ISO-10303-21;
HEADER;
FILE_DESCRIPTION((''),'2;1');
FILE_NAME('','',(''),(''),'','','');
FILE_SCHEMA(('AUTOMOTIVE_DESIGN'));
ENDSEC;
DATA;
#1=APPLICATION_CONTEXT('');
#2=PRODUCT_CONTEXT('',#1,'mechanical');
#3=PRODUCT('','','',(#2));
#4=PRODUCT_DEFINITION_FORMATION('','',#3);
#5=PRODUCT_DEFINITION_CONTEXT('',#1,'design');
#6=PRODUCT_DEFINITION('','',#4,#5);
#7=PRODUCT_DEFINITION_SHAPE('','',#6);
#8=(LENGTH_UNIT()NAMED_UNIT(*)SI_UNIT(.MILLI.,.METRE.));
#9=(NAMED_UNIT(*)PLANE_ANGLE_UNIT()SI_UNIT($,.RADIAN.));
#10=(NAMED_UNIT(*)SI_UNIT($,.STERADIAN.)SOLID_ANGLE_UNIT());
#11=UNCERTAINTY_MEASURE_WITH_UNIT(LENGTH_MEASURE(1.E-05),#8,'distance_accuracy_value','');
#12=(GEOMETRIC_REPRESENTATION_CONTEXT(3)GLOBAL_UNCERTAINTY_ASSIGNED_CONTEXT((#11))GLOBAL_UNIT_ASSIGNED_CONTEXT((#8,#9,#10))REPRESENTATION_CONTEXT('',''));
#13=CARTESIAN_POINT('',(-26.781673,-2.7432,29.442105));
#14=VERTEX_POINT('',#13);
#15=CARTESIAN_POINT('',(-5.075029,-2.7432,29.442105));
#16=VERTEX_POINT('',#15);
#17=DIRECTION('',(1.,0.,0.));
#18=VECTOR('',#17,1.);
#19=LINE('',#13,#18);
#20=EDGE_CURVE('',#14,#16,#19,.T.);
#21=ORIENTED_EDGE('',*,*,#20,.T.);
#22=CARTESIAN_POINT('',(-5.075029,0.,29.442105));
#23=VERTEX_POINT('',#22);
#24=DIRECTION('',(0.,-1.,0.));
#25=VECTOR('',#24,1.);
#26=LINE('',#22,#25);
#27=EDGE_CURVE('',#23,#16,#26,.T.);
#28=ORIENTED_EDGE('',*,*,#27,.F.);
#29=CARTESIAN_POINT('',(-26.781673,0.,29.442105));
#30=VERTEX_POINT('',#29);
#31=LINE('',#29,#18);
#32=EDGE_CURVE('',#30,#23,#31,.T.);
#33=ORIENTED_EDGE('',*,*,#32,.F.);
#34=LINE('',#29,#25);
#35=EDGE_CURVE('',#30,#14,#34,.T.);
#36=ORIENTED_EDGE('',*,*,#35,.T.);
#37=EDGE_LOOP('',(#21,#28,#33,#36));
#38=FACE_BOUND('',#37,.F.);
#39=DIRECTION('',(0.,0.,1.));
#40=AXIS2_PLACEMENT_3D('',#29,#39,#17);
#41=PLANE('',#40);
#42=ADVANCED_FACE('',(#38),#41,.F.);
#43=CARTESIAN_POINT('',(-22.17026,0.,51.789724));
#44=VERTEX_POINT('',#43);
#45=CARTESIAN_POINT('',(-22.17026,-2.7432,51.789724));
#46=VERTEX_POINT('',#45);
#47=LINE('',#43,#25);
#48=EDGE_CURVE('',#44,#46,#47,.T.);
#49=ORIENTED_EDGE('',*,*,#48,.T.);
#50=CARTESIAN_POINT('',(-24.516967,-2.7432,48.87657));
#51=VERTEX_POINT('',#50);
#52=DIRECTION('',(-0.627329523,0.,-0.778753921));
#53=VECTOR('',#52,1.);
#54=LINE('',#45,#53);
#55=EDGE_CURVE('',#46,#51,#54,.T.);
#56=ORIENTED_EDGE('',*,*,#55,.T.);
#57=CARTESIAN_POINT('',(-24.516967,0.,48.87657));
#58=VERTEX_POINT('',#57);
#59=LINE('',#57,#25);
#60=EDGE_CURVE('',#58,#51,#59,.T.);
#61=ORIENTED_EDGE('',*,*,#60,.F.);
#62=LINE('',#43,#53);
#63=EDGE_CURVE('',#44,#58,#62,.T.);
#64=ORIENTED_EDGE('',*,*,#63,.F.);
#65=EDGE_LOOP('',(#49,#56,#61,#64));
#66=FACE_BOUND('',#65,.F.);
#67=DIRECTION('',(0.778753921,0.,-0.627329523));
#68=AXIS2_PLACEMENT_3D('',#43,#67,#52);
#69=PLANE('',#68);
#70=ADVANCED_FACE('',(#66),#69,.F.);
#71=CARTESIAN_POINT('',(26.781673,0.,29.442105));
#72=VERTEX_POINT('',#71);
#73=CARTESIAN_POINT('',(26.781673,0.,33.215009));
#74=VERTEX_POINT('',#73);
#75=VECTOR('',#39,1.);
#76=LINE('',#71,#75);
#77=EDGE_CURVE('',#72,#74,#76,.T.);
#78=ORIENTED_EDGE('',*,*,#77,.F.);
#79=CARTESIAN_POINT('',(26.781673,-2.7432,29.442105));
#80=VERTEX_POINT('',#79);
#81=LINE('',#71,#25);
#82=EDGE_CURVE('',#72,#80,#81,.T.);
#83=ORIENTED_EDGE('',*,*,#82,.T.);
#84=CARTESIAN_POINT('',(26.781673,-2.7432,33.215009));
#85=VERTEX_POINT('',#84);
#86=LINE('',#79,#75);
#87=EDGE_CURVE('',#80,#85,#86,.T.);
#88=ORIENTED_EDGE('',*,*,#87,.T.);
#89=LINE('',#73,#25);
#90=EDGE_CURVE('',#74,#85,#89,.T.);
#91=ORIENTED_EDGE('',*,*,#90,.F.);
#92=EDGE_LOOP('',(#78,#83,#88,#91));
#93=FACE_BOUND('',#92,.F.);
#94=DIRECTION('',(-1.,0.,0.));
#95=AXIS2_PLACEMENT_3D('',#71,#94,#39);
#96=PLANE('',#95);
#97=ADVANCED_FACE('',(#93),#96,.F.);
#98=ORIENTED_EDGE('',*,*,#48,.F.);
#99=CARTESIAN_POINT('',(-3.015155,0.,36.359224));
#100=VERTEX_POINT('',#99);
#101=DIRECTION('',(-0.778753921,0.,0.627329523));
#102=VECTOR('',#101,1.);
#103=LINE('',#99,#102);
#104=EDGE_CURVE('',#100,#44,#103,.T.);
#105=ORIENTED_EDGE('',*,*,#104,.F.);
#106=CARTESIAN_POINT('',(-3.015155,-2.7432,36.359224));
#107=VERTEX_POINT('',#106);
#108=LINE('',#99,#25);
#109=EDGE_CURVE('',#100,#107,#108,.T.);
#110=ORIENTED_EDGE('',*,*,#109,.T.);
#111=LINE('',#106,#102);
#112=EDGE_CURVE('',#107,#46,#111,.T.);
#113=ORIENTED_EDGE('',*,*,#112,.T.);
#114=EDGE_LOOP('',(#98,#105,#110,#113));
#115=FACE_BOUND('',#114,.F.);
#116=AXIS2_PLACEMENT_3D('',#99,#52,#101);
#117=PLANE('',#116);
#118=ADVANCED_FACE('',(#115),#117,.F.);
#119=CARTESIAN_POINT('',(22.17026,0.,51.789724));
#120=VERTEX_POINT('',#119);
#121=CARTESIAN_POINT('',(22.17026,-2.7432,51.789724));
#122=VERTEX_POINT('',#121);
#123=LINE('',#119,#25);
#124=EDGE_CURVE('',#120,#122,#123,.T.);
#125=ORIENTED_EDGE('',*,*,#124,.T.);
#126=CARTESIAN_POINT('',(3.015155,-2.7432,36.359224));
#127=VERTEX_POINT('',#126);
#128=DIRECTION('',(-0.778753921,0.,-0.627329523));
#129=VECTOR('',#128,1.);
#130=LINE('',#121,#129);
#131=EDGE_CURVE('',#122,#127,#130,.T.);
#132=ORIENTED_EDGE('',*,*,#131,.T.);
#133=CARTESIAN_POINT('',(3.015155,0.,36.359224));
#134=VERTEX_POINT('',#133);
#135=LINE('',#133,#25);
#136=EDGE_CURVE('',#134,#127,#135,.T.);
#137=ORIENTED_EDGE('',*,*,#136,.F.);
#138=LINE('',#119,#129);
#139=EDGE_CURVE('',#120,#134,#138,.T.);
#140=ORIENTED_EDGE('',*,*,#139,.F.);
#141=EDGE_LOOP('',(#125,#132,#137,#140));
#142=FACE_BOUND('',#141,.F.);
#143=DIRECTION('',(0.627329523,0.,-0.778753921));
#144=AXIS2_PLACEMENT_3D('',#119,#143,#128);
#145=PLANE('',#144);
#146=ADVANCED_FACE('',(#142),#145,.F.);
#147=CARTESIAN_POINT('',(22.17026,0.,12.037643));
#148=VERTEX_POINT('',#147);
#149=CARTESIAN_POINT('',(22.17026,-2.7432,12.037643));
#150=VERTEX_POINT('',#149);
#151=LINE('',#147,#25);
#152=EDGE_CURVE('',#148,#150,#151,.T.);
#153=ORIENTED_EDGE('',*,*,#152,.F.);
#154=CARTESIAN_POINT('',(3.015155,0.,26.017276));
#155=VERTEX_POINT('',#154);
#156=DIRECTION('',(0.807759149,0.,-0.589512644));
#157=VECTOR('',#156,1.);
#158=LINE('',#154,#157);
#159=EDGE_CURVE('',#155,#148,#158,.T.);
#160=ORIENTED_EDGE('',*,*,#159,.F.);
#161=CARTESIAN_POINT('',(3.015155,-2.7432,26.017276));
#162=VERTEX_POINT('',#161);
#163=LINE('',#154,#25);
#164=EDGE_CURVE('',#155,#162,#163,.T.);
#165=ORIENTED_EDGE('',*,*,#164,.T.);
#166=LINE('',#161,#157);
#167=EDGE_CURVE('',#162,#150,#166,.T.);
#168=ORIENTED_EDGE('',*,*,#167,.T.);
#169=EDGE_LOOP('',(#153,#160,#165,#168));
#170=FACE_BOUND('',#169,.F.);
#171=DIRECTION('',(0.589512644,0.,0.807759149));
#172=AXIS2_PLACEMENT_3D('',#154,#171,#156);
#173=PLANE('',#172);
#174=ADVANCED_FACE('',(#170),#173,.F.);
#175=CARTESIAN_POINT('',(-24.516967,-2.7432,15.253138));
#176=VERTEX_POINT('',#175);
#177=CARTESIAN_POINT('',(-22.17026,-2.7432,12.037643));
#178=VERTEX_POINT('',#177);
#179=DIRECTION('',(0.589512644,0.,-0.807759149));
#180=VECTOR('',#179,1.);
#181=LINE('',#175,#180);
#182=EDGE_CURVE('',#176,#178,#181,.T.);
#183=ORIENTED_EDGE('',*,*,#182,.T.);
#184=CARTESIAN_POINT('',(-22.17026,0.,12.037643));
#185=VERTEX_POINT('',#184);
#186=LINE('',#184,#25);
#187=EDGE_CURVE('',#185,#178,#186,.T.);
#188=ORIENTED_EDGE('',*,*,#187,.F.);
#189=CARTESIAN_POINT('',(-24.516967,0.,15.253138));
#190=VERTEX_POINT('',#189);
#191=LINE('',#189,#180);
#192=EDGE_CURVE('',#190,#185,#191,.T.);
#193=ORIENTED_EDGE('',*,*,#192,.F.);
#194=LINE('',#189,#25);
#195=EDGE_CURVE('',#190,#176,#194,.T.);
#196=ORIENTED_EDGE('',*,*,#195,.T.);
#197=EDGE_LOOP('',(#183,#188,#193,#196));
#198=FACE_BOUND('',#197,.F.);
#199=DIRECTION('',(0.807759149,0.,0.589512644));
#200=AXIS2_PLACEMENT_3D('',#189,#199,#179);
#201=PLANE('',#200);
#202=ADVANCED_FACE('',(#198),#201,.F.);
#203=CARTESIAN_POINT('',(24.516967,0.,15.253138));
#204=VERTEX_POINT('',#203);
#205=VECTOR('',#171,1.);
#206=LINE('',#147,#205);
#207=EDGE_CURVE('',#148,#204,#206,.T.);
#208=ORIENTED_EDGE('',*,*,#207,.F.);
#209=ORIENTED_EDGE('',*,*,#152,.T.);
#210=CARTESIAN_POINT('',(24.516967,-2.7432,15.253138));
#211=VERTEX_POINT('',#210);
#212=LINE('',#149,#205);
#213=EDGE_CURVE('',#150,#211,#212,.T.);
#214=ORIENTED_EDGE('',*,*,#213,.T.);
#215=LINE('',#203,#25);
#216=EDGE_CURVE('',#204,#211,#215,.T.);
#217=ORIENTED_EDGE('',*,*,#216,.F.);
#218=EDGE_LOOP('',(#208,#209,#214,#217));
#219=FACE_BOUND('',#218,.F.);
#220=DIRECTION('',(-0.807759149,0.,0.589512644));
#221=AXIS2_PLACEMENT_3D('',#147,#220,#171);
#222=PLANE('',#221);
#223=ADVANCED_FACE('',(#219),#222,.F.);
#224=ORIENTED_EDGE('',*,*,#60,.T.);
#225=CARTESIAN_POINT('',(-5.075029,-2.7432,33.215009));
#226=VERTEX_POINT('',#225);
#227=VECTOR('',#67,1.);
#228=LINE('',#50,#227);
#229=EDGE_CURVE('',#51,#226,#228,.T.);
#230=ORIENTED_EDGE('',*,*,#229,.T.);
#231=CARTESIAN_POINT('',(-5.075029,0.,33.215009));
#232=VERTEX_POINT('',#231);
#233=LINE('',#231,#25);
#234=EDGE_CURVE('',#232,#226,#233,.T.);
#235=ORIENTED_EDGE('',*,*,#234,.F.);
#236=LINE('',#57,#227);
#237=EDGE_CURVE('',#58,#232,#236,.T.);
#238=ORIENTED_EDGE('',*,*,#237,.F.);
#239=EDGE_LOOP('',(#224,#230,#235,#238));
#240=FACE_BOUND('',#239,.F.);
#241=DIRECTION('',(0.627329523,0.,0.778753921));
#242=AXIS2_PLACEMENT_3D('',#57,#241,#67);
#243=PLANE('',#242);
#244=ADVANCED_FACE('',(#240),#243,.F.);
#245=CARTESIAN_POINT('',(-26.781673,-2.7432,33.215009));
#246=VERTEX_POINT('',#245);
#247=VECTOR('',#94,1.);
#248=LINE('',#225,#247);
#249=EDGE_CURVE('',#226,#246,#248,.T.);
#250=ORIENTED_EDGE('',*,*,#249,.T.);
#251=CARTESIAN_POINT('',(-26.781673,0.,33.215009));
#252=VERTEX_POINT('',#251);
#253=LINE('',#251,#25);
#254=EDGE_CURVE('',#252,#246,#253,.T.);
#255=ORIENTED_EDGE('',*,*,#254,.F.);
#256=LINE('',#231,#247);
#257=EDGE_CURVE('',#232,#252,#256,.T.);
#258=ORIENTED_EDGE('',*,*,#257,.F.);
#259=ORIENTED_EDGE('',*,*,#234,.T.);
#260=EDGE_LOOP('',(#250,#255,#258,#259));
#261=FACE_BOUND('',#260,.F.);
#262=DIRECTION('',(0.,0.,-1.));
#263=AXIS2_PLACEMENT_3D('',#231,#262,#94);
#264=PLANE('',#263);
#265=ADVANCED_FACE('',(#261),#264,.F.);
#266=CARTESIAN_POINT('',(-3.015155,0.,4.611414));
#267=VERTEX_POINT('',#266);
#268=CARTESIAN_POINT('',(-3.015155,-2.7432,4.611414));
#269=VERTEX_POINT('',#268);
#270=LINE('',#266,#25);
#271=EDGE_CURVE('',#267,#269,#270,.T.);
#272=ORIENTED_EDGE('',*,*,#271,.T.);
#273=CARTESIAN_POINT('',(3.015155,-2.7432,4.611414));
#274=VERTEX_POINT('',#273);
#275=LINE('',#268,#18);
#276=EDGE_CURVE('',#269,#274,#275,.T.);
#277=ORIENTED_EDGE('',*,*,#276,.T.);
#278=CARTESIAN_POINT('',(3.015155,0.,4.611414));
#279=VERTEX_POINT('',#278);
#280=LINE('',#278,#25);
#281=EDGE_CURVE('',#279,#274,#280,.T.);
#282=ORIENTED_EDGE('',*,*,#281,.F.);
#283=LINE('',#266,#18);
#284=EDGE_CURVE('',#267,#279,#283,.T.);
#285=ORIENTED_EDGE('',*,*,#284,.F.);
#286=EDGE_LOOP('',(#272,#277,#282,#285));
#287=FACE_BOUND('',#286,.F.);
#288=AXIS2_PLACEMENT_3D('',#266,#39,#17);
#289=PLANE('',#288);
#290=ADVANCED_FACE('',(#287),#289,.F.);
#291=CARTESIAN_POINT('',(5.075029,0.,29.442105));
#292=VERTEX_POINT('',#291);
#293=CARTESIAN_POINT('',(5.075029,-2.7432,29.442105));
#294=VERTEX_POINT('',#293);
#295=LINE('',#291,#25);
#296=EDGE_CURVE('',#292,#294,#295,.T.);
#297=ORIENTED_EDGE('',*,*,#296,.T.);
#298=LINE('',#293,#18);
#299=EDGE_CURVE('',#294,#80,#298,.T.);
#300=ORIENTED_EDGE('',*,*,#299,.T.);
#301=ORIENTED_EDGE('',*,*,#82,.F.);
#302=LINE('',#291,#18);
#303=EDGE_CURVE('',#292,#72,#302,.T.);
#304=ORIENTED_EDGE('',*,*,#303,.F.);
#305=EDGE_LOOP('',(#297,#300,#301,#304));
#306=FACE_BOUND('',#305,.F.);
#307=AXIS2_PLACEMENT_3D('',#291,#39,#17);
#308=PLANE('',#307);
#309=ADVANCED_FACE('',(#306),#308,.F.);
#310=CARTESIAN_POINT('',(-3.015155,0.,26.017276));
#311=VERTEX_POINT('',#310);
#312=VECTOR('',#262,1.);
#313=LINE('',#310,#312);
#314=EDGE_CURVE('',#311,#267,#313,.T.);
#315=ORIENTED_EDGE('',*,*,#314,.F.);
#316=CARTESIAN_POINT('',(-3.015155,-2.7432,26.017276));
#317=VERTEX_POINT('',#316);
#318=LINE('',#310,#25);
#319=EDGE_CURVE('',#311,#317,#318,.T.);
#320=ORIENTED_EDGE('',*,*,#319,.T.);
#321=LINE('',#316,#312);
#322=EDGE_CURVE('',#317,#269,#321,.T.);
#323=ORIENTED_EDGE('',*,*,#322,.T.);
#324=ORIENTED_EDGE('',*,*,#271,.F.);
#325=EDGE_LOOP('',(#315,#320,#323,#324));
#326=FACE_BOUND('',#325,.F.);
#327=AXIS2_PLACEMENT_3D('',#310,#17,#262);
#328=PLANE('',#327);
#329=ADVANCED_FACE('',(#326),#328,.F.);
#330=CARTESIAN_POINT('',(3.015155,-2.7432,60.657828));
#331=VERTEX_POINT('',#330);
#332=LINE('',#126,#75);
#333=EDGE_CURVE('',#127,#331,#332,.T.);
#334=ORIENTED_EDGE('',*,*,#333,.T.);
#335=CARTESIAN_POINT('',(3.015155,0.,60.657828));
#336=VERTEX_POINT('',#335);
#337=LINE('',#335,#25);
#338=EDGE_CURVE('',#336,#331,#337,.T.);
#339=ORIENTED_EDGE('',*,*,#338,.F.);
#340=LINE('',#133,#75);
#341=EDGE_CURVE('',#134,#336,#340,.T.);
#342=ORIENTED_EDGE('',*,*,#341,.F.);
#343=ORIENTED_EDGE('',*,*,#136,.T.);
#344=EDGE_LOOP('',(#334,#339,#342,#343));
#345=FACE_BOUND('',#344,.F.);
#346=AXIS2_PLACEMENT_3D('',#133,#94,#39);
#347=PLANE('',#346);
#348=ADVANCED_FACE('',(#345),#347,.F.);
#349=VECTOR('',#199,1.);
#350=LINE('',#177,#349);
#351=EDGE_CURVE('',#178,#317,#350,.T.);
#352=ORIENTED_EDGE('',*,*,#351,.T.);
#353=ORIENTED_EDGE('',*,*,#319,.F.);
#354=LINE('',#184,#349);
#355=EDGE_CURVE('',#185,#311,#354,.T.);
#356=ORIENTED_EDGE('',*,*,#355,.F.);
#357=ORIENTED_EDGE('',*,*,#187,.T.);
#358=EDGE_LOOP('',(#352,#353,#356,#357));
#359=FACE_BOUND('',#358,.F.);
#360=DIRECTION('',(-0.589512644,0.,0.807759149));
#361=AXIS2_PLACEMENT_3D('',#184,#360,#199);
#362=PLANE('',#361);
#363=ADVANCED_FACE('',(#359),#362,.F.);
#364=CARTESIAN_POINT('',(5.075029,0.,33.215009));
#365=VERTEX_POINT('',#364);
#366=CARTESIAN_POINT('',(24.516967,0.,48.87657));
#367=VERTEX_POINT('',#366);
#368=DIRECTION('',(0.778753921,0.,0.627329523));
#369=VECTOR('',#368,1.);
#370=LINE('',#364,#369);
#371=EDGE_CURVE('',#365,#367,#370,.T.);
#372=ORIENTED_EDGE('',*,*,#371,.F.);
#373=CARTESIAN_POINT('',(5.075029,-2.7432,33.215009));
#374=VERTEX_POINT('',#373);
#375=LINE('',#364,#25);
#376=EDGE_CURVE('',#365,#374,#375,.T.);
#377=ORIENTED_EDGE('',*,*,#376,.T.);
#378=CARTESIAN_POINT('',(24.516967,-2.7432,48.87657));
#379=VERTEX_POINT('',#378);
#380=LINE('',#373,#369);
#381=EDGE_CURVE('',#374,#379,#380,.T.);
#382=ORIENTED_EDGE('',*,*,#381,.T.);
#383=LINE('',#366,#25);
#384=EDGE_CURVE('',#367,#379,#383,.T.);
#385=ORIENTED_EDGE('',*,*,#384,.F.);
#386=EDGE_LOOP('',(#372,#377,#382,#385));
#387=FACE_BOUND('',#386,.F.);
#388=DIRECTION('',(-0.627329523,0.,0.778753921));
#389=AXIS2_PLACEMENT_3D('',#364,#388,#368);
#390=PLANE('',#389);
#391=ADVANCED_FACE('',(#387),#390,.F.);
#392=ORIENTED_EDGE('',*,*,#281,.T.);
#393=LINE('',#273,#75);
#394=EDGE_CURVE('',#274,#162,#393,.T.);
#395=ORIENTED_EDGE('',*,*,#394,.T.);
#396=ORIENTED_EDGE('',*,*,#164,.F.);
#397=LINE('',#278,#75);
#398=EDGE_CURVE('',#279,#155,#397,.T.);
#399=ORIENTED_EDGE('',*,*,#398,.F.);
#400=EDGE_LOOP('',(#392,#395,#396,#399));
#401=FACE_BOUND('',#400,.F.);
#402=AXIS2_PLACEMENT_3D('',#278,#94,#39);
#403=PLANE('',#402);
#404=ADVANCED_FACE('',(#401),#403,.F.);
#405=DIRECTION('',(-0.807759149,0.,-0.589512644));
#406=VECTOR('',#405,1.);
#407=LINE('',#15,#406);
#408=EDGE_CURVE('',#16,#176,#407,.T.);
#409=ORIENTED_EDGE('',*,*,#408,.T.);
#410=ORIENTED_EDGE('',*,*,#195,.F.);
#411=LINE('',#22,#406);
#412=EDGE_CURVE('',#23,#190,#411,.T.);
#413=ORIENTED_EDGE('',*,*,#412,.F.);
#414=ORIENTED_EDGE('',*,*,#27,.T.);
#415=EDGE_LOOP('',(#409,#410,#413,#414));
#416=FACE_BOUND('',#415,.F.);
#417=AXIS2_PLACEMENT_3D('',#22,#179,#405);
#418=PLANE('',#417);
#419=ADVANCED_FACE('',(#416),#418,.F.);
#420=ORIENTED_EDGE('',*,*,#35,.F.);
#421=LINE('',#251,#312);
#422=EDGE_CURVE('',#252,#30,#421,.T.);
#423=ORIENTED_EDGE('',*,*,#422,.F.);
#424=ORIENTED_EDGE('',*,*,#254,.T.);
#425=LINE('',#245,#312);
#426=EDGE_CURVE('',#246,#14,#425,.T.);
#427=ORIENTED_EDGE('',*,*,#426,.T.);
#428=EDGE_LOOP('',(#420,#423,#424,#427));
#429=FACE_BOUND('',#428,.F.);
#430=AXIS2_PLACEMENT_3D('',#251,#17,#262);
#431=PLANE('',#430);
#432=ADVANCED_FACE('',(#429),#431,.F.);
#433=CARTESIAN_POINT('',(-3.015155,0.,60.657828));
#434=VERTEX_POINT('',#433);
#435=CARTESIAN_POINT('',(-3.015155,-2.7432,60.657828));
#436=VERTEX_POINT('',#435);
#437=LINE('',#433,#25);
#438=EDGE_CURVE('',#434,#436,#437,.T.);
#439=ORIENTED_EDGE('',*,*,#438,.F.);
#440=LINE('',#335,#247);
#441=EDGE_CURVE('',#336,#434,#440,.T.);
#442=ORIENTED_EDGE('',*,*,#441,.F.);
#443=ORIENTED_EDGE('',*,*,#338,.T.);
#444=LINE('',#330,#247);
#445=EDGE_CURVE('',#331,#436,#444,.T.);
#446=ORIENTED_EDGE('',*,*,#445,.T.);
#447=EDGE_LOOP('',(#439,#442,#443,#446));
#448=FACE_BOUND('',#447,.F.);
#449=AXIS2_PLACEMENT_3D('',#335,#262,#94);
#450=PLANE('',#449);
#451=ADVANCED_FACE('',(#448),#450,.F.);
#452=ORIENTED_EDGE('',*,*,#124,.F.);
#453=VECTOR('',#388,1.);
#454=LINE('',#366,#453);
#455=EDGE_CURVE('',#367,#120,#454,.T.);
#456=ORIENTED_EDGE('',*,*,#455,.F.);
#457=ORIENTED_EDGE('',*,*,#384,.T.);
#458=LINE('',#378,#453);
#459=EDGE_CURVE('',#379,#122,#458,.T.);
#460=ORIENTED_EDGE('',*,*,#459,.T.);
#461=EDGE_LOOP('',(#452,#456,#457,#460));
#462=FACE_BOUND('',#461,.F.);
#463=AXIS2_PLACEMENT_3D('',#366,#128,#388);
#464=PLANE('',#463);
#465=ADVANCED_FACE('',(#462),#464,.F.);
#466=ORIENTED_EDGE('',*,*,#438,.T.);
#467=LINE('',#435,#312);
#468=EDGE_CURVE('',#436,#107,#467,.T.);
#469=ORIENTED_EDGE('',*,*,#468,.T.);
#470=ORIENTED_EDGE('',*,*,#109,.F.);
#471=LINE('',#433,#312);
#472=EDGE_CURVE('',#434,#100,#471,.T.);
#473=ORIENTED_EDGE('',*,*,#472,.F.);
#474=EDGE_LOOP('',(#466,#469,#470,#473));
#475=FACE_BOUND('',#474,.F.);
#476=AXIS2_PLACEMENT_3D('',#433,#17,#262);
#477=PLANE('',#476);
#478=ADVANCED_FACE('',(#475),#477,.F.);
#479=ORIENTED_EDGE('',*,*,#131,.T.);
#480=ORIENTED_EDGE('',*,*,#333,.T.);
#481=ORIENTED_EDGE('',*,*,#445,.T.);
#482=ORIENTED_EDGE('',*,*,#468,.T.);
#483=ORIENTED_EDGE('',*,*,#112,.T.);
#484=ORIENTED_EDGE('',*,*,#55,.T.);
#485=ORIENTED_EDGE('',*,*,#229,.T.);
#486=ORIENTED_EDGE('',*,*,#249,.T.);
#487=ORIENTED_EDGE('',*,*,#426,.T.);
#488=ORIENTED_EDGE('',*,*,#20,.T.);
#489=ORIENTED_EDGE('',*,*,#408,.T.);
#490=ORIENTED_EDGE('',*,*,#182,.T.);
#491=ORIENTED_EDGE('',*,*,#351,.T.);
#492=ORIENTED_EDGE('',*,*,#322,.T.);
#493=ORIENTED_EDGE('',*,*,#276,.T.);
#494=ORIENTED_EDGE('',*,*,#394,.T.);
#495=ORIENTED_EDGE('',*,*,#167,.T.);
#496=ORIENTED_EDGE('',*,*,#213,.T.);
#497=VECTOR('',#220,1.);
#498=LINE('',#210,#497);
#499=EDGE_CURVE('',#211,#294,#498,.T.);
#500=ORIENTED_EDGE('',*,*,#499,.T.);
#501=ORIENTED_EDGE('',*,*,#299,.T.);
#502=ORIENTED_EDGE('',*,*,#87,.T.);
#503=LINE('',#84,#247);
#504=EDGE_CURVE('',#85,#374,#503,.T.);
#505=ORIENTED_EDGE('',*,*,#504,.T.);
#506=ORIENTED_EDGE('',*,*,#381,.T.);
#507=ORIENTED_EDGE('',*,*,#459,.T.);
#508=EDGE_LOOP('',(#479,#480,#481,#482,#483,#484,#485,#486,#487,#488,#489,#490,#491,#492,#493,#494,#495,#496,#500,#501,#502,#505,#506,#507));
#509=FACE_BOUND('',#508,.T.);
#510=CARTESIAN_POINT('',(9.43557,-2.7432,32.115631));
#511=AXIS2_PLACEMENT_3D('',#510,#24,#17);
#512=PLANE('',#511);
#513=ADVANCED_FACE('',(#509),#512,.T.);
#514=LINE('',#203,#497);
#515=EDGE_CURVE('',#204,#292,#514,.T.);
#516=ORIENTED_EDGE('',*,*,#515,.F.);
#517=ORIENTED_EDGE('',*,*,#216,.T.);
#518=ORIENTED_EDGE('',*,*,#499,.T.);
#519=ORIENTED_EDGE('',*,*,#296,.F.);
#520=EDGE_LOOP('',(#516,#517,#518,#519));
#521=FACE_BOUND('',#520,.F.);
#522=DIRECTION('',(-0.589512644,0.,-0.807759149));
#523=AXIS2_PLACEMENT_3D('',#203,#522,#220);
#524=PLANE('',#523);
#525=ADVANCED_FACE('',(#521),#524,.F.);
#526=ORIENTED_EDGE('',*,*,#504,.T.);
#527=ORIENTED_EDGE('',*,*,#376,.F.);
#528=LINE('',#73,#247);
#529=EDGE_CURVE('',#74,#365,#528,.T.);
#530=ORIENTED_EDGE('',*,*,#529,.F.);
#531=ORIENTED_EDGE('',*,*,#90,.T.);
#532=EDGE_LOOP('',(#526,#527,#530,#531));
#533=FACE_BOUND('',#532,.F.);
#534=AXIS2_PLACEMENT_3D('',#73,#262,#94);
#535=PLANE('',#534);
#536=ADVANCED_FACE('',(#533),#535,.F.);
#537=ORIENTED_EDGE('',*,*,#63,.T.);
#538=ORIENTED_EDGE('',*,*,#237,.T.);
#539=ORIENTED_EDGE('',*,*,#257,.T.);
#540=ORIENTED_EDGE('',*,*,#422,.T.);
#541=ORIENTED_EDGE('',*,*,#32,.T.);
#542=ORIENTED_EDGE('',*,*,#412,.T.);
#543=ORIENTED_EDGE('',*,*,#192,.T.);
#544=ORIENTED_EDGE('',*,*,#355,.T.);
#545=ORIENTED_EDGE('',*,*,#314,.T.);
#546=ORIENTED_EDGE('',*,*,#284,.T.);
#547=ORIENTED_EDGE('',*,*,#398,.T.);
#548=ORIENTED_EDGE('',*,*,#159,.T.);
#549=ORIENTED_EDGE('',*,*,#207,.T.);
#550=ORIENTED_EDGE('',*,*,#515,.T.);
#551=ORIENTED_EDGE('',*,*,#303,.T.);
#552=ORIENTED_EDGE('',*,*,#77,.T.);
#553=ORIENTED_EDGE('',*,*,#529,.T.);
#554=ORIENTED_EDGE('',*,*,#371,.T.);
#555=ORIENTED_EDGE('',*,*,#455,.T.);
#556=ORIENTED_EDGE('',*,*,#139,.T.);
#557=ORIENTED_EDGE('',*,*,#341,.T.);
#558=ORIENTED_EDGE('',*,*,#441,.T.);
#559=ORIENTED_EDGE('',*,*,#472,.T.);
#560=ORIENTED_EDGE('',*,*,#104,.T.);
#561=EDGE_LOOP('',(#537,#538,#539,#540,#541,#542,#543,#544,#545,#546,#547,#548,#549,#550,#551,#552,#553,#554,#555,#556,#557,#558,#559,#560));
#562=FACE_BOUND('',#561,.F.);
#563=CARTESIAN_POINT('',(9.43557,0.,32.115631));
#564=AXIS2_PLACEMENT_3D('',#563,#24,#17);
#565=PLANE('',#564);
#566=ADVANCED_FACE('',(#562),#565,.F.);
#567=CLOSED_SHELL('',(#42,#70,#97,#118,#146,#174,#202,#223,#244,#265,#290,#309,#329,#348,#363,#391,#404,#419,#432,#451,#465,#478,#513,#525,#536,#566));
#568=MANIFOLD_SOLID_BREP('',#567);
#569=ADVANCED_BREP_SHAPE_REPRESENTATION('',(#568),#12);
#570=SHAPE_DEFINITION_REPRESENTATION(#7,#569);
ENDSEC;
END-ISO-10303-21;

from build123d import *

# Parameters (mm, degrees)
F1_DEPTH = 3.048
F2_SCALE = 0.9


with BuildPart() as f1:
    # F0 (on Front) → F1 (new body)
    with BuildSketch(Plane.XZ):
        Polygon((3.3501721919, 67.3975870013), (0, 67.3975870013), (0, 5.1237931475), (3.3501721919, 5.1237931475), (3.3501721919, 28.9080845579), (24.633621797, 13.3751591098), (27.2410747923, 16.9479306787), (5.6389208675, 32.7134504914), (29.7574140131, 32.7134504914), (29.7574140131, 36.9055655311), (5.6389208675, 36.9055655311), (27.2410747923, 54.3072999545), (24.633621797, 57.5441382825), (3.3501721919, 40.3991378844), align=None)
        Polygon((0, 5.1237931475), (0, 67.3975870013), (-3.3501721919, 67.3975870013), (-3.3501721919, 40.3991378844), (-24.633621797, 57.5441382825), (-27.2410747923, 54.3072999545), (-5.6389208675, 36.9055655311), (-29.7574140131, 36.9055655311), (-29.7574140131, 32.7134504914), (-5.6389208675, 32.7134504914), (-27.2410747923, 16.9479306787), (-24.633621797, 13.3751591098), (-3.3501721919, 28.9080845579), (-3.3501721919, 5.1237931475), align=None)
    extrude(amount=F1_DEPTH)


with BuildPart() as f1_1:
    # F2: moved
    add(f1.part.scale(F2_SCALE))


solid = f1_1.part
